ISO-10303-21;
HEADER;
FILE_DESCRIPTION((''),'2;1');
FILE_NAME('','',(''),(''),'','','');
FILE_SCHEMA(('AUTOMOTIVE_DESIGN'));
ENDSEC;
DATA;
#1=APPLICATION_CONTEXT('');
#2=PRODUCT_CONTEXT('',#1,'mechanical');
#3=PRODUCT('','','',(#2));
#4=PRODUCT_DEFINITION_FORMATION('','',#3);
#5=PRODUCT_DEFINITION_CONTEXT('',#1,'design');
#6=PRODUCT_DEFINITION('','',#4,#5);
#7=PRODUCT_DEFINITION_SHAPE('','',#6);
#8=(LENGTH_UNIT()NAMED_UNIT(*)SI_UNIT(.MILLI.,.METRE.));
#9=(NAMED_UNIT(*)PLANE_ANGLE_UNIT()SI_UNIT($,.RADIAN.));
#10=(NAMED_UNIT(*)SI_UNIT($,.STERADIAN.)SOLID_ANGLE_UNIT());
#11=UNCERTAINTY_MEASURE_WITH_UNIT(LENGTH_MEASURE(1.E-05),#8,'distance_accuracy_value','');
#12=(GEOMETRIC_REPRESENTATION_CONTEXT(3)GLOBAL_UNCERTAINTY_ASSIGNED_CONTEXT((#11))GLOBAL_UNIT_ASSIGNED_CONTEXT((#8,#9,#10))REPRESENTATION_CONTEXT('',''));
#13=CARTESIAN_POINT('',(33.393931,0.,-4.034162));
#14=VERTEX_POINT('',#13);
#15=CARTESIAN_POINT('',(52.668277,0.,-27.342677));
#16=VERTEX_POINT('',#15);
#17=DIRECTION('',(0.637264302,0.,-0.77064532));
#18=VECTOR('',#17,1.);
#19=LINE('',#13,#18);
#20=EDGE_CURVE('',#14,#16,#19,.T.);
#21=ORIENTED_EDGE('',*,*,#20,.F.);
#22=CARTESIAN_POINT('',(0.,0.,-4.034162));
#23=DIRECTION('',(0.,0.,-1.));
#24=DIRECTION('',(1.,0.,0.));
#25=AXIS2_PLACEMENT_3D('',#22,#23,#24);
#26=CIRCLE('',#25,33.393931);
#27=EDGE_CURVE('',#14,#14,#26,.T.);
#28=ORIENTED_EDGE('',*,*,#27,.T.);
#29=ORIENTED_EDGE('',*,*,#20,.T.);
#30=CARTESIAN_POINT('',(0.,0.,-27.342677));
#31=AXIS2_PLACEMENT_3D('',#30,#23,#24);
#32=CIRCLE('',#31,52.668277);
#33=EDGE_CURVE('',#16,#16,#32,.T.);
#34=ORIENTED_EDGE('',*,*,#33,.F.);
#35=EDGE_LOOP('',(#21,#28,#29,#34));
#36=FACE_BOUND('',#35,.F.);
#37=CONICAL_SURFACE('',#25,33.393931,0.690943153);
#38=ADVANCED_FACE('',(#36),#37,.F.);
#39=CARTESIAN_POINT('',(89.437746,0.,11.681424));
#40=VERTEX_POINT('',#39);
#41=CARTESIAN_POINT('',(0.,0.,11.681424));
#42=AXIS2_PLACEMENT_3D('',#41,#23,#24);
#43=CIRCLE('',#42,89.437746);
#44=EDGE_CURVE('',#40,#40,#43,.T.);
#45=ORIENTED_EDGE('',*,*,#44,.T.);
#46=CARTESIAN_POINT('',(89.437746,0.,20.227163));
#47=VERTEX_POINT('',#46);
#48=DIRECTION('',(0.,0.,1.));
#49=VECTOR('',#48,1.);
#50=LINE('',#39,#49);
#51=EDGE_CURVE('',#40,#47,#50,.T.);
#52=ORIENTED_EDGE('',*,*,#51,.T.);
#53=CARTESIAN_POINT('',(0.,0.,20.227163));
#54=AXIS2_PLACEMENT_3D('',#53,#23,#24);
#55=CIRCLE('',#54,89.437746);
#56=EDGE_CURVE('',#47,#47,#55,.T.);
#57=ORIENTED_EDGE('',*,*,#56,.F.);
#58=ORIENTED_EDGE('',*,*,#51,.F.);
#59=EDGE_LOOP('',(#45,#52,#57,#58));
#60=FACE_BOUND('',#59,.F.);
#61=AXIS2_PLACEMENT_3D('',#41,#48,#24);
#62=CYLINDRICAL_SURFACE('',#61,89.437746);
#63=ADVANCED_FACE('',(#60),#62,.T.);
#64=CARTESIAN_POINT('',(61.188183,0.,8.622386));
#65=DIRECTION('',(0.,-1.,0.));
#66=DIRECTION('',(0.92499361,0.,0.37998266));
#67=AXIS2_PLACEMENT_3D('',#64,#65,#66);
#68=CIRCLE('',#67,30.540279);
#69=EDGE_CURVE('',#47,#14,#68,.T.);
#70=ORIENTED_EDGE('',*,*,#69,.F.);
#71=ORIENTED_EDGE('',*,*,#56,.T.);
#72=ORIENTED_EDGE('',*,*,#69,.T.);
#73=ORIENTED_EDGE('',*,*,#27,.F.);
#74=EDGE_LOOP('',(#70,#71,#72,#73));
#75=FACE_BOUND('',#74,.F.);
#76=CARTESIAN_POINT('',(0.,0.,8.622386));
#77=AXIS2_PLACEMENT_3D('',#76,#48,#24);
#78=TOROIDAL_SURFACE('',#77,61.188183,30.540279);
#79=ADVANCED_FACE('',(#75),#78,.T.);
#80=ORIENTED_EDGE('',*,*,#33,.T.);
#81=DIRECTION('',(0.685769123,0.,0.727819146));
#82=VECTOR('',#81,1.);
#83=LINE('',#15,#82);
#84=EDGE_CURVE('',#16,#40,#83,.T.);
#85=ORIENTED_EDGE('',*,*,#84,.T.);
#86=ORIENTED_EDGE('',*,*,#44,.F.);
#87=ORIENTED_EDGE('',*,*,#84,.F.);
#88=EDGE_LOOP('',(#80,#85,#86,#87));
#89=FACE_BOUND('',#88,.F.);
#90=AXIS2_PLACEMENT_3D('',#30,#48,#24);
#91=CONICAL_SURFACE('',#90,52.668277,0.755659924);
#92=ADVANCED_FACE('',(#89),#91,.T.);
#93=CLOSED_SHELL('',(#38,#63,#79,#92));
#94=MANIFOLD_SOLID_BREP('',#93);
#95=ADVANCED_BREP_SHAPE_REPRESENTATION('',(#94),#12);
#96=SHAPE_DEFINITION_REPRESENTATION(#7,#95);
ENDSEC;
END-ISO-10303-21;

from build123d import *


with BuildPart() as f2:
    # F0 (on Front) → F2 (revolve)
    with BuildSketch(Plane.XZ):
        with BuildLine():
            ThreePointArc((89.437746, 20.227163), (49.055384, 36.649228), (33.393931, -4.034162))
            Line((33.393931, -4.034162), (52.668277, -27.342677))
            Line((52.668277, -27.342677), (89.437746, 11.681424))
            Line((89.437746, 11.681424), (89.437746, 20.227163))
        make_face()
    revolve(axis=Axis((0, 0, 3.361808), (0, 0, -1)))


solid = f2.part
